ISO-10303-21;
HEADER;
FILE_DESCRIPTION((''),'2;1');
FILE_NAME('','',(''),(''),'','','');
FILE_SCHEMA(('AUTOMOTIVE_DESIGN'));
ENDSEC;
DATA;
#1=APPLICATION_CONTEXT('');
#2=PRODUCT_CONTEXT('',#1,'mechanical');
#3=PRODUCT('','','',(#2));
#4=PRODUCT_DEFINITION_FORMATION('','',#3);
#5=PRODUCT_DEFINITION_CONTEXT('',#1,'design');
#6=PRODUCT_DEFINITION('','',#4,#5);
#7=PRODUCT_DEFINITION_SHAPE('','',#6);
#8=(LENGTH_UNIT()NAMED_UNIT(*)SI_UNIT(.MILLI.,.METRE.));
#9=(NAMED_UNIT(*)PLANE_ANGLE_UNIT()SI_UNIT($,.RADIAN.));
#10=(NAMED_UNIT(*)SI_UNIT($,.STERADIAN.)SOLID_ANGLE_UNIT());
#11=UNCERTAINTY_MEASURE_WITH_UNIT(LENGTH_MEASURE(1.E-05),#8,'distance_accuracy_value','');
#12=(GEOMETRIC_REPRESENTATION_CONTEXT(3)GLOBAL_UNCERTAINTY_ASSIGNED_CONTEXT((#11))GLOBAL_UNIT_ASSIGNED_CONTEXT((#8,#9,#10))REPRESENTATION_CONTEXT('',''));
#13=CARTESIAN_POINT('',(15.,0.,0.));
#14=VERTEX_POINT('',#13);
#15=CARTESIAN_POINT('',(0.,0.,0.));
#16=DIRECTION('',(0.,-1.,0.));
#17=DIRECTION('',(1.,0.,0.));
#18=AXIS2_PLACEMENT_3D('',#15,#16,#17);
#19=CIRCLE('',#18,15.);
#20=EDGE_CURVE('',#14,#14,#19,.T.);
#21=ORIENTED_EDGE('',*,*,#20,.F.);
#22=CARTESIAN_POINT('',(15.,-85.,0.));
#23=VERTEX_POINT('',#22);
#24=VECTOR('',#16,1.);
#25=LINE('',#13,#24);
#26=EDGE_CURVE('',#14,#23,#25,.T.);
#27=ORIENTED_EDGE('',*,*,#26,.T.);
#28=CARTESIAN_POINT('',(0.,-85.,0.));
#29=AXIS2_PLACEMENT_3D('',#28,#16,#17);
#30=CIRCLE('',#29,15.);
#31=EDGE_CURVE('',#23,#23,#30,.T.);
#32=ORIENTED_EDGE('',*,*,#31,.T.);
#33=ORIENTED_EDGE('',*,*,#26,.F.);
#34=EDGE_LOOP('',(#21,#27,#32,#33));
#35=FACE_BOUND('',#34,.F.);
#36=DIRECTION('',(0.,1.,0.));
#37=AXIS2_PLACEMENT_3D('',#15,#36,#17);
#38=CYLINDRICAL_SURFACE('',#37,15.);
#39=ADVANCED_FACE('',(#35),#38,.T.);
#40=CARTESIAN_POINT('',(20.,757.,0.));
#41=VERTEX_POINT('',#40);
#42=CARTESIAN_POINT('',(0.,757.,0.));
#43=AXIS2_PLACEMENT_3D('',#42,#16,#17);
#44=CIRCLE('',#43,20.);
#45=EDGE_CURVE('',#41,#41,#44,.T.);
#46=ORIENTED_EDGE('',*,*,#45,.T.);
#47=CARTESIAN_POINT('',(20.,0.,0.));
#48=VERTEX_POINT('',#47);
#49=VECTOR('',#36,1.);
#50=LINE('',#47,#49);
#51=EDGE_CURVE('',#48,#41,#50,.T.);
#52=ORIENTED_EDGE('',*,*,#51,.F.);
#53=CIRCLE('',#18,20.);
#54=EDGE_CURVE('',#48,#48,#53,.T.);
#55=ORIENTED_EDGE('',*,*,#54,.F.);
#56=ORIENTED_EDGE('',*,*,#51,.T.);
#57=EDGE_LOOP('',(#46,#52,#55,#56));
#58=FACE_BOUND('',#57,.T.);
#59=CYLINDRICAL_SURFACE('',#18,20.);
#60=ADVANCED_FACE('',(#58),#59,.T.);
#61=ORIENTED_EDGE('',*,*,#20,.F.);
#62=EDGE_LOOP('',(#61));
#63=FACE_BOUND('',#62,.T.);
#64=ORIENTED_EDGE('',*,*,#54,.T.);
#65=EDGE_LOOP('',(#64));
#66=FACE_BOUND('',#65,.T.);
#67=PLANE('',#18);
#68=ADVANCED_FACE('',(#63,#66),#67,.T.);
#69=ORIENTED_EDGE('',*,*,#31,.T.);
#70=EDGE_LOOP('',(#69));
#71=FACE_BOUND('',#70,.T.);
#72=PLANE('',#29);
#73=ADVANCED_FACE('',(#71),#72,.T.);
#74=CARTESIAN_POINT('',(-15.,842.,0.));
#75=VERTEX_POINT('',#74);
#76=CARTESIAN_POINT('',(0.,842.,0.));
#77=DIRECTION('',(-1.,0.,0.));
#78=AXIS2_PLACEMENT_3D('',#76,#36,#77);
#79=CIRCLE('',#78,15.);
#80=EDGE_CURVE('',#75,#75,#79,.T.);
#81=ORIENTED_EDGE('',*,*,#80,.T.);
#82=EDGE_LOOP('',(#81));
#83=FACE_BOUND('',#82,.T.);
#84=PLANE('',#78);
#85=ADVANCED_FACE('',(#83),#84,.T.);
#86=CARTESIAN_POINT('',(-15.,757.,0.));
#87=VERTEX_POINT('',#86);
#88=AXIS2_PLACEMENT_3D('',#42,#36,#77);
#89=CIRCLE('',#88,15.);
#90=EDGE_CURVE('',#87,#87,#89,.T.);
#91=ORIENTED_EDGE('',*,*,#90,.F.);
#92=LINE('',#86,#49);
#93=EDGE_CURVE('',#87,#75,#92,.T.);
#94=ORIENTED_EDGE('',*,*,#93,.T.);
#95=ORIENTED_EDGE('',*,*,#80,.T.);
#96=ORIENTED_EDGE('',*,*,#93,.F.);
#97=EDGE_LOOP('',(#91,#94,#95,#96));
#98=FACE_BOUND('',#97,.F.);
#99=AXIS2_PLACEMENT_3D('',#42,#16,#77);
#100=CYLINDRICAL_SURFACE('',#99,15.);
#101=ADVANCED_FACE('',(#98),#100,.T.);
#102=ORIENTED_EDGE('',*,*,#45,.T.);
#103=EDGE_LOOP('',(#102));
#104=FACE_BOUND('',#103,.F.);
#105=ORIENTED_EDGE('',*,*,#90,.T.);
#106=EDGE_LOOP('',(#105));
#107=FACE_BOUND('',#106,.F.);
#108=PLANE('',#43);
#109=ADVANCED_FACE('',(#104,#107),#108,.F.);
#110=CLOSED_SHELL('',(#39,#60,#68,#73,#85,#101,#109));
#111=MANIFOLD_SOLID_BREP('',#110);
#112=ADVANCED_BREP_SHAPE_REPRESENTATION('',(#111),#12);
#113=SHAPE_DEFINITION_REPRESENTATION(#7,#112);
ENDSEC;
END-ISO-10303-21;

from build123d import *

# Parameters (mm, degrees)
F0_R     = 20
F1_DEPTH = 757
F2_R     = 15
F4_DEPTH = 85
F3_R     = 15
F5_DEPTH = 85


with BuildPart() as f1:
    # F0 (on Front) → F1 (new body)
    with BuildSketch(Plane.XZ):
        Circle(F0_R)
    extrude(amount=-F1_DEPTH)

    # F2 (on face) → F4 (join)
    with BuildSketch(Plane.XZ):
        Circle(F2_R)
    extrude(amount=F4_DEPTH)

    # F3 (on face) → F5 (join)
    with BuildSketch(Plane(origin=(0, 757, 0), x_dir=(-1, 0, 0), z_dir=(0, 1, 0))):
        Circle(F3_R)
    extrude(amount=F5_DEPTH)


solid = f1.part
